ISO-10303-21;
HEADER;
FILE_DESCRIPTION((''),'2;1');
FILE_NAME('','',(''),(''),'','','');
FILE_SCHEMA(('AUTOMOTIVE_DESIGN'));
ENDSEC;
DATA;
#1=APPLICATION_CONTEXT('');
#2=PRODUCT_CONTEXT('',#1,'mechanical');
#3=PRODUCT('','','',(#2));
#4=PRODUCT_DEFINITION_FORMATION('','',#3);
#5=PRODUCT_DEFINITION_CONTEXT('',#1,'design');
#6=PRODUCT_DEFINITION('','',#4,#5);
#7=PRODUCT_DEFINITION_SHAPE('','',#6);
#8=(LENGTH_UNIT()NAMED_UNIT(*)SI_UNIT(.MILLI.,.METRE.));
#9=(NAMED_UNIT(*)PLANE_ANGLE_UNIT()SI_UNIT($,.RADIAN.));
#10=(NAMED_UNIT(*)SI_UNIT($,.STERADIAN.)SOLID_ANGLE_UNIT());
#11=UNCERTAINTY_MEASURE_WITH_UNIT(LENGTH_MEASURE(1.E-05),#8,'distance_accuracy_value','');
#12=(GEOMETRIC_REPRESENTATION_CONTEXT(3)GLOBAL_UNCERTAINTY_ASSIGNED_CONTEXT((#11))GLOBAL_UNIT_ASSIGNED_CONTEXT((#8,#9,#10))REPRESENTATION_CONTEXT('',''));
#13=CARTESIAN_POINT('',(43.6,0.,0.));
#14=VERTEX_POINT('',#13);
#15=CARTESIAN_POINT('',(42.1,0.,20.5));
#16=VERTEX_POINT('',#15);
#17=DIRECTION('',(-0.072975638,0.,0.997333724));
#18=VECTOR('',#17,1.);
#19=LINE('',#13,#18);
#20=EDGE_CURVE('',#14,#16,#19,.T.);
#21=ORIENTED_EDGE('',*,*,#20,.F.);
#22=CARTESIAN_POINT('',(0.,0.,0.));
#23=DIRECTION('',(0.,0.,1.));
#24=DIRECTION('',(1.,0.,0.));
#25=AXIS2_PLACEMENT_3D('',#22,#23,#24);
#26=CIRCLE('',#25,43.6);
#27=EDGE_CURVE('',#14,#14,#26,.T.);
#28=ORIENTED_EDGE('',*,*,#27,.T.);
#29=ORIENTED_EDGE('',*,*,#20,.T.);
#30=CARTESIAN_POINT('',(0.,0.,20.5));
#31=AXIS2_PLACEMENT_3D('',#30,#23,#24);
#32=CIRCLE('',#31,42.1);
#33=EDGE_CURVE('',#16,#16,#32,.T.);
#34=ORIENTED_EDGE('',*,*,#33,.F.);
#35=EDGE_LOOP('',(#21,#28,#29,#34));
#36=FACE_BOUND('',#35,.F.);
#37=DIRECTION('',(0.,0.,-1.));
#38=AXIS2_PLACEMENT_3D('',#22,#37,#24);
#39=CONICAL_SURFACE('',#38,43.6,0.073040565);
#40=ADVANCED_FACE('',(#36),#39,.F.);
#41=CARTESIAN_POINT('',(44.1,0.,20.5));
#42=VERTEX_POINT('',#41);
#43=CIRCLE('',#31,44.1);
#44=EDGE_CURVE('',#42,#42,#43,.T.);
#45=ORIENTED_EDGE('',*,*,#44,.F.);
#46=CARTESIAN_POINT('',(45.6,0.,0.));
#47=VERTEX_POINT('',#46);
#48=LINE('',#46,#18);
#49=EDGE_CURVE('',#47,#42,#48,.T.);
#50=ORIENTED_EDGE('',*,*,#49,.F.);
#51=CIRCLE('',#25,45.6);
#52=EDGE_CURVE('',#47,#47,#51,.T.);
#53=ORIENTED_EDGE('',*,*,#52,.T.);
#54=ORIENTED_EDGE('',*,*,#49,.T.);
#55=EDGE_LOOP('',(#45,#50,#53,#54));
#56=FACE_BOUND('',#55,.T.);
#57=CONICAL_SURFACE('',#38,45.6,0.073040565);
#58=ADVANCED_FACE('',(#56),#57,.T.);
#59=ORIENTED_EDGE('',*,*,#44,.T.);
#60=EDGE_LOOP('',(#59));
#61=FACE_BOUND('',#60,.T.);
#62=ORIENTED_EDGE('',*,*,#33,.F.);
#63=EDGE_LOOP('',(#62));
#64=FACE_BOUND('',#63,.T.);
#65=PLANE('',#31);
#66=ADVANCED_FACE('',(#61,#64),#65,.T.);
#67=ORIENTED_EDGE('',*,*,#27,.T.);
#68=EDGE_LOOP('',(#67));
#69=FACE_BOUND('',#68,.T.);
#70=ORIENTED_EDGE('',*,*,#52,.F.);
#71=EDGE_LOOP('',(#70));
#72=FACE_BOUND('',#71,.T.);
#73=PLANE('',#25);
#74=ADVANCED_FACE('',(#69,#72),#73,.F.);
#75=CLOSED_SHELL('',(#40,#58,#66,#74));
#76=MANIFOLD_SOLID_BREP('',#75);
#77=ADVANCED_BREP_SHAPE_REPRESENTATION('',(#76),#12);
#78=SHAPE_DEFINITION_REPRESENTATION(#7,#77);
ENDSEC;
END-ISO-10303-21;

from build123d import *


with BuildPart() as cone_chico002:
    # Cone004 → Cone004 (revolve)
    with BuildSketch(Plane.XZ):
        Polygon((0, 0), (43.6, 0), (42.1, 20.5), (0, 20.5), align=None)
    revolve(axis=Axis((0, 0, 0), (0, 0, 1)))


with BuildPart() as cono001:
    # Cone005 → Cone005 (revolve)
    with BuildSketch(Plane.XZ):
        Polygon((0, 0), (45.6, 0), (44.1, 20.5), (0, 20.5), align=None)
    revolve(axis=Axis((0, 0, 0), (0, 0, 1)))

    # Cut015023: cut Cone_chico002
    add(cone_chico002.part, mode=Mode.SUBTRACT)


solid = cono001.part
